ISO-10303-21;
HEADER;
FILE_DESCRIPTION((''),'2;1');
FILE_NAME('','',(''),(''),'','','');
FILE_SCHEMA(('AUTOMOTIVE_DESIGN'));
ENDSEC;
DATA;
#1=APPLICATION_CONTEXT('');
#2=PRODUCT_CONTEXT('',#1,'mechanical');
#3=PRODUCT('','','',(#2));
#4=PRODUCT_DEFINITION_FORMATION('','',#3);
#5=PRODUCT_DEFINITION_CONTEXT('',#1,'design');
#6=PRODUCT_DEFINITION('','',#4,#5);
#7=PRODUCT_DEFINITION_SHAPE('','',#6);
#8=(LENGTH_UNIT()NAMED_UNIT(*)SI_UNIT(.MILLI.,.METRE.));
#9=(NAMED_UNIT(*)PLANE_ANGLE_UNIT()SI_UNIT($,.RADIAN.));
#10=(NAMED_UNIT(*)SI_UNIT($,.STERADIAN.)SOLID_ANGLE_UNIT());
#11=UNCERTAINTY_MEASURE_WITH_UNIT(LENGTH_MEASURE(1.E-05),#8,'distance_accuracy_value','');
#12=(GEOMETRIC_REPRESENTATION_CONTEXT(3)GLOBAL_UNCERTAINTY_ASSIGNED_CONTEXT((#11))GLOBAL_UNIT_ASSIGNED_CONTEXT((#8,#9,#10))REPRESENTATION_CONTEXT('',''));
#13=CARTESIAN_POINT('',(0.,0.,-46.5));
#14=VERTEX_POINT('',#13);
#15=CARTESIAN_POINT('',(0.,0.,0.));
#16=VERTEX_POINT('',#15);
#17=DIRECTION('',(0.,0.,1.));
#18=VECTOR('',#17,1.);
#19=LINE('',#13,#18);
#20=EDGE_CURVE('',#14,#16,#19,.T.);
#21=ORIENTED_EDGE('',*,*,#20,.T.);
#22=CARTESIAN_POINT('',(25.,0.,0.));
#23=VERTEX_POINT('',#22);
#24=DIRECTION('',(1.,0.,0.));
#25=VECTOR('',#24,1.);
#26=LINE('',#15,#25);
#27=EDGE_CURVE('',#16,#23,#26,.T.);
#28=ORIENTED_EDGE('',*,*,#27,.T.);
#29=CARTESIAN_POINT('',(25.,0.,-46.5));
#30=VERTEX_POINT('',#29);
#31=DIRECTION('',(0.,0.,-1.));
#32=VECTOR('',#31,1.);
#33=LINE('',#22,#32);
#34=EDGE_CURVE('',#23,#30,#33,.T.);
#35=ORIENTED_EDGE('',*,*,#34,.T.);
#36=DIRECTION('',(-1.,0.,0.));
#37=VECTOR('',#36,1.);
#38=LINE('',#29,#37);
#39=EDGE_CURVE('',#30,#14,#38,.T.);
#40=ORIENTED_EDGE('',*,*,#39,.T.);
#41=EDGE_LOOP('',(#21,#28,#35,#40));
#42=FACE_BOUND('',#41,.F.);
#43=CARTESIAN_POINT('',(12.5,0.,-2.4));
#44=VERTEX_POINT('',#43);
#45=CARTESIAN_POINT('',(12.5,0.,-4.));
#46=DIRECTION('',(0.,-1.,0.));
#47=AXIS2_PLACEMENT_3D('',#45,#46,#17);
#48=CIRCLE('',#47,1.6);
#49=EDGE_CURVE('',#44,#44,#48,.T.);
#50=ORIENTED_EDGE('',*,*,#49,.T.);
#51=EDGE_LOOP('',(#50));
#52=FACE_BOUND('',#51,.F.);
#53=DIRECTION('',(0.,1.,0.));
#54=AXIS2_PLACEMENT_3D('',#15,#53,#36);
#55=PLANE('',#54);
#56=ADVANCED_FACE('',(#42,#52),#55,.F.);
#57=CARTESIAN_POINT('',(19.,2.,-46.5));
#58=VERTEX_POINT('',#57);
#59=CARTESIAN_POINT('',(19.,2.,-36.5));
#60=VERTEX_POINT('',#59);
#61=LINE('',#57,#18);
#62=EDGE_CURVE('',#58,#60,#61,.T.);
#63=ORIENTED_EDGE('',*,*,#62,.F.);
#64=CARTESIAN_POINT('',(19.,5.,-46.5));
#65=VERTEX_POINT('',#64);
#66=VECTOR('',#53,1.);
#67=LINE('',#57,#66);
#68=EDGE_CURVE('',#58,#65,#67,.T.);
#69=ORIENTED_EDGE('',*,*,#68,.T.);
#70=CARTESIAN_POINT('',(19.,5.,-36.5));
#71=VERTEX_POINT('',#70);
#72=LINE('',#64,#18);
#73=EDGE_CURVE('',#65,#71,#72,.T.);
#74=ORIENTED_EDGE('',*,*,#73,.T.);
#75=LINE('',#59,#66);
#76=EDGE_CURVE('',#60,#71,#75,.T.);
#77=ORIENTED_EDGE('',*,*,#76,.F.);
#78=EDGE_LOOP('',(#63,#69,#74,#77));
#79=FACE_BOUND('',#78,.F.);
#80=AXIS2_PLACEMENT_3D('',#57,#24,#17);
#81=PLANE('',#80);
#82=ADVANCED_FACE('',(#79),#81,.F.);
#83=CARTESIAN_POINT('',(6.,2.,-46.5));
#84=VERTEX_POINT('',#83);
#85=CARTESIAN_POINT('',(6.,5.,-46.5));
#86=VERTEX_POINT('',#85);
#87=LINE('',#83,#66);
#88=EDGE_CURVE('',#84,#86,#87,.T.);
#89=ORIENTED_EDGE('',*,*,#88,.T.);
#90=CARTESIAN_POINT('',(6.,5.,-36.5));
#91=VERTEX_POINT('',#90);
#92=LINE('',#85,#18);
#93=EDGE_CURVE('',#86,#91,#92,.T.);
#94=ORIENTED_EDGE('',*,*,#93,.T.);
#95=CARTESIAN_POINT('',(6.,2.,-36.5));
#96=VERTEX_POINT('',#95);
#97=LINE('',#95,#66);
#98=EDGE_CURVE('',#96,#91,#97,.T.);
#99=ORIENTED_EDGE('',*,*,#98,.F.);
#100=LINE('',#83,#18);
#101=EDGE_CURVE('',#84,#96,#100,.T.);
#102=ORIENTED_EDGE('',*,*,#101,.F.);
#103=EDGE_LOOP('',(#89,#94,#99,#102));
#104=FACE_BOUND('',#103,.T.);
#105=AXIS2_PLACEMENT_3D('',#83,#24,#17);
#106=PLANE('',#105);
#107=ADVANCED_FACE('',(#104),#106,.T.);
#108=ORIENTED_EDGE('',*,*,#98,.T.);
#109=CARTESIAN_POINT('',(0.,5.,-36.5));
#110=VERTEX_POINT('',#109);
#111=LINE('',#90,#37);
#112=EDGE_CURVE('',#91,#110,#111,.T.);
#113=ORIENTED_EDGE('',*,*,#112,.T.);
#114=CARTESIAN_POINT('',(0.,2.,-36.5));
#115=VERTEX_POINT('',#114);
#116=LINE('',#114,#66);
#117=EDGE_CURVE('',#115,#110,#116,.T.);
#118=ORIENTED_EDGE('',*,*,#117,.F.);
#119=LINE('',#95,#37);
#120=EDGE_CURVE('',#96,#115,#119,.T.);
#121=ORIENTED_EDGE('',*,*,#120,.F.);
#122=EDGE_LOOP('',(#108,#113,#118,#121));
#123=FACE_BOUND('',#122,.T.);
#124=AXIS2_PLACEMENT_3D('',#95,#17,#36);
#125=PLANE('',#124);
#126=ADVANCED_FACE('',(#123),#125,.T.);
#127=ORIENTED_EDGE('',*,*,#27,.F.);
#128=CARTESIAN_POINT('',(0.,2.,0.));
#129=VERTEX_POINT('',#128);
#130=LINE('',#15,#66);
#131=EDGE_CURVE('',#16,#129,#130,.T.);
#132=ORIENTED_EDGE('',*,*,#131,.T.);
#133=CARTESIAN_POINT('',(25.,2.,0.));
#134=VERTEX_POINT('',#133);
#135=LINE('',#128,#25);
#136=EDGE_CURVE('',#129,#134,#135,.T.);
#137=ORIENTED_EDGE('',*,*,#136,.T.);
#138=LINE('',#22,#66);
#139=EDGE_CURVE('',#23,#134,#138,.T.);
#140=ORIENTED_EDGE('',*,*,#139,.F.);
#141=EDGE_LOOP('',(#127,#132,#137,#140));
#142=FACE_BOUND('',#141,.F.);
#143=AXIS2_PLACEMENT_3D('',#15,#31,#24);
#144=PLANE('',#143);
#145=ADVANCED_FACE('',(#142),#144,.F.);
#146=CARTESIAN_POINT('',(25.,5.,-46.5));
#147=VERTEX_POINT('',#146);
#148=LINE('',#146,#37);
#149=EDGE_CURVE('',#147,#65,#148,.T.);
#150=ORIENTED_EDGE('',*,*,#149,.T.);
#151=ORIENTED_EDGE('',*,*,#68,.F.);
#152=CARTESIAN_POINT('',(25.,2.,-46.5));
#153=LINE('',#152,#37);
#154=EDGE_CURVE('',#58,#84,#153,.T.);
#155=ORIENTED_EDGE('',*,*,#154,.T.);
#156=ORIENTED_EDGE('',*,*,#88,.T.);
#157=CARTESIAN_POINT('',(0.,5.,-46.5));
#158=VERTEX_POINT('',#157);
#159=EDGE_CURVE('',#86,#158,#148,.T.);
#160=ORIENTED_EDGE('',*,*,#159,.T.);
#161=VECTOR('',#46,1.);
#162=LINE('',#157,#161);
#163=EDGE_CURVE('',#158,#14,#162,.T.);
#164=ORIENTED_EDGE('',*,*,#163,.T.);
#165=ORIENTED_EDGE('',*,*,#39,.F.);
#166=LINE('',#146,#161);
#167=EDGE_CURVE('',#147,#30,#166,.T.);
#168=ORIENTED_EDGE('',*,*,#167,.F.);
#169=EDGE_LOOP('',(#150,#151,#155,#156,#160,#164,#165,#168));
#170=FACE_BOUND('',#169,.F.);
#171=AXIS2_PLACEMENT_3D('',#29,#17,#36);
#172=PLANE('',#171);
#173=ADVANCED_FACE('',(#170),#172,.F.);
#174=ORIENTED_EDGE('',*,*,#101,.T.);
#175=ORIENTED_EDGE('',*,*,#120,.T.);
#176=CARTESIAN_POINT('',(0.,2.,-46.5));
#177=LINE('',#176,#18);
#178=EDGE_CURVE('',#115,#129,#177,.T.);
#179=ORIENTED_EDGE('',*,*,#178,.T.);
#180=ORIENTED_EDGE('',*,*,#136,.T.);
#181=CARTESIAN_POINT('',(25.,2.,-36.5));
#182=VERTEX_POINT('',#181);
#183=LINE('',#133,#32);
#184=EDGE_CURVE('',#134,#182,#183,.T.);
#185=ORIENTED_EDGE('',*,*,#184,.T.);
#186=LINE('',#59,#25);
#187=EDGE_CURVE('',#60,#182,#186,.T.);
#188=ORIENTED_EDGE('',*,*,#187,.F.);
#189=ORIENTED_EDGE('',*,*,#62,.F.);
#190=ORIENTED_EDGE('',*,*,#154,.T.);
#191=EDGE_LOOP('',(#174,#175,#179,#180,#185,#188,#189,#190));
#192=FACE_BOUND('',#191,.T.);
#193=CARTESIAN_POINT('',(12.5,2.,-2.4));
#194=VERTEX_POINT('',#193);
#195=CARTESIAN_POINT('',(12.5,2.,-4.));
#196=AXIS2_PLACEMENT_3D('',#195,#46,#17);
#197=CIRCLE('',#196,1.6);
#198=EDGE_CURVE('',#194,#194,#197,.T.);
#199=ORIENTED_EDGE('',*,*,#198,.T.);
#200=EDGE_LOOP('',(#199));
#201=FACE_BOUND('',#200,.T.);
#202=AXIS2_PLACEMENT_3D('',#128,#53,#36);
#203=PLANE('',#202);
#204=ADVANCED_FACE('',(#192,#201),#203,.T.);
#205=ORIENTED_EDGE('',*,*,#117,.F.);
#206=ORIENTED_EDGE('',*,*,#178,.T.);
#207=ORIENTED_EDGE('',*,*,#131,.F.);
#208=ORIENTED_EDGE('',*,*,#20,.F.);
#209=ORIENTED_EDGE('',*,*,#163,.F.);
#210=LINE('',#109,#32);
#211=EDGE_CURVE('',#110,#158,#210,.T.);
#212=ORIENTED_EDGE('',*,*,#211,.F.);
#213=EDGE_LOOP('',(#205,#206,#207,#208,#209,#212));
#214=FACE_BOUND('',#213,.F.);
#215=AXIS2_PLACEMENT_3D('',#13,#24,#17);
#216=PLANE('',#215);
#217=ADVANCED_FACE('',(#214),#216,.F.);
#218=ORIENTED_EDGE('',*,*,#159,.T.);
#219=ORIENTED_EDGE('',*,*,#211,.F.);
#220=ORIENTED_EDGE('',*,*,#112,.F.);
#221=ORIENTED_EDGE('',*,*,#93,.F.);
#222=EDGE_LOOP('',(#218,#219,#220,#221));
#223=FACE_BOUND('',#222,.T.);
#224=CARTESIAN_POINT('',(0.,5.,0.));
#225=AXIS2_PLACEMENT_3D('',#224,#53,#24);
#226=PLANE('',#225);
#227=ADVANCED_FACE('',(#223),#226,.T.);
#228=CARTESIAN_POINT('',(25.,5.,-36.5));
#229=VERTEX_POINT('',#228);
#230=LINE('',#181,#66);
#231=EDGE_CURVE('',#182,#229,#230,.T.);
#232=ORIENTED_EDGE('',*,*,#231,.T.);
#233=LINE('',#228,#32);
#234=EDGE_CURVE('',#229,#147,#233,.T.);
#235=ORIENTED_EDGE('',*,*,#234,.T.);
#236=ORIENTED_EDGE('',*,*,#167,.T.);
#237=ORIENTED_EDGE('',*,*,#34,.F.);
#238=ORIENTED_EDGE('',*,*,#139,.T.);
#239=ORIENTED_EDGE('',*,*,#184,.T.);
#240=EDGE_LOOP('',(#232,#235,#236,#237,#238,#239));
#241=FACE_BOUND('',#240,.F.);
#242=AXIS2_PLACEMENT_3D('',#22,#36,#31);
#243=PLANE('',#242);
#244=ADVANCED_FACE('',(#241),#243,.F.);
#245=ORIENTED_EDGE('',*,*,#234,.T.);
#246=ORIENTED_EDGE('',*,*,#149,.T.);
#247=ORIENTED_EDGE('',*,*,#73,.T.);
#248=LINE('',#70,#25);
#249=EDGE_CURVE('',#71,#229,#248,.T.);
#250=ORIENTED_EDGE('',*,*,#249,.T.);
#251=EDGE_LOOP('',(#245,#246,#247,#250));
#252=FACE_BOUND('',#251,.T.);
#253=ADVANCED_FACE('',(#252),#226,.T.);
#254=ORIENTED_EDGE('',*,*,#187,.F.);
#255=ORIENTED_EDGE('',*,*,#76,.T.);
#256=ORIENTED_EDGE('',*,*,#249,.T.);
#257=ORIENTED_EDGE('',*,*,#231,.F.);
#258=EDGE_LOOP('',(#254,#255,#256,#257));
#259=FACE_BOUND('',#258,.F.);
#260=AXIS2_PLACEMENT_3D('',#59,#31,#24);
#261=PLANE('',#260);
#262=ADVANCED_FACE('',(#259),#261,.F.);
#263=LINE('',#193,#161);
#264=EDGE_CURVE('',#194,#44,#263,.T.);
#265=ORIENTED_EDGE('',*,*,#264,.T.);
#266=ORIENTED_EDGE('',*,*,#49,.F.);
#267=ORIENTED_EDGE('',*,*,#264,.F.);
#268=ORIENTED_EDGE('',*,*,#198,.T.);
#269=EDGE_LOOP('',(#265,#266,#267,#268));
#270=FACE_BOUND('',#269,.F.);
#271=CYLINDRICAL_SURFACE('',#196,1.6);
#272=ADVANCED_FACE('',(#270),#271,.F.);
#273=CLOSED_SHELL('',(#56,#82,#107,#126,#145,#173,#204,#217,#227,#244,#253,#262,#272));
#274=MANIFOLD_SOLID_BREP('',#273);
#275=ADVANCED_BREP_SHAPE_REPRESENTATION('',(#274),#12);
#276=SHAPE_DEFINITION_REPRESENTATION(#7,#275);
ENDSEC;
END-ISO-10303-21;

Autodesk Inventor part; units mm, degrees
ref_plane "YZ Plane" through (0, 0, 0) normal (1, 0, 0) x (0, 1, 0)
ref_plane "XZ Plane" through (0, 0, 0) normal (0, 1, 0) x (-1, 0, 0)
ref_plane "XY Plane" through (0, 0, 0) normal (0, 0, 1) x (1, 0, 0)
sketch "Sketch1" plane through (0, 0, 0) normal (0, 1, 0) x (-1, 0, 0)
  line L0 (0, 0) -> (-25, 0)
  line L1 (-25, 0) -> (-25, -46.5)
  line L2 (-25, -46.5) -> (0, -46.5)
  line L3 (0, -46.5) -> (0, 0)
  dimension "d0" = 25
  dimension "d1" = 46.5
extrude "Extrusion1" add sketch "Sketch1" along normal blind 2
sketch "Sketch2" plane through (0, 2, 0) normal (0, 1, 0) x (1, 0, 0)
  line L0 (25, 46.5) -> (0, 46.5) projected
  line L1 (0, 46.5) -> (6, 46.5)
  line L2 (6, 46.5) -> (6, 36.5)
  line L3 (6, 36.5) -> (0, 36.5)
  line L4 (0, 36.5) -> (0, 46.5)
  line L5 (25, 46.5) -> (19, 46.5)
  line L6 (19, 46.5) -> (19, 36.5)
  line L7 (19, 36.5) -> (25, 36.5)
  line L8 (25, 36.5) -> (25, 46.5)
  point P0 (0, 0)
  dimension "d4" = 6
  dimension "d5" = 10
  dimension "d6" = 6
extrude "Extrusion2" add sketch "Sketch2" along normal blind 3
sketch "Sketch4" plane through (0, 2, 0) normal (0, 1, 0) x (1, 0, 0)
  line L0 (0, 0) -> (25, 0) projected
  line L1 (25, 0) -> (25, 36.5) projected
  point P0 (12.5, 4)
  dimension "d18" = 4
  dimension "d19" = 12.5
hole "Hole2" at (12.5, 2, -4) direction (0, -1, 0) diameter 3.2 end through all
properties part number "mlx_mount_3mm"
